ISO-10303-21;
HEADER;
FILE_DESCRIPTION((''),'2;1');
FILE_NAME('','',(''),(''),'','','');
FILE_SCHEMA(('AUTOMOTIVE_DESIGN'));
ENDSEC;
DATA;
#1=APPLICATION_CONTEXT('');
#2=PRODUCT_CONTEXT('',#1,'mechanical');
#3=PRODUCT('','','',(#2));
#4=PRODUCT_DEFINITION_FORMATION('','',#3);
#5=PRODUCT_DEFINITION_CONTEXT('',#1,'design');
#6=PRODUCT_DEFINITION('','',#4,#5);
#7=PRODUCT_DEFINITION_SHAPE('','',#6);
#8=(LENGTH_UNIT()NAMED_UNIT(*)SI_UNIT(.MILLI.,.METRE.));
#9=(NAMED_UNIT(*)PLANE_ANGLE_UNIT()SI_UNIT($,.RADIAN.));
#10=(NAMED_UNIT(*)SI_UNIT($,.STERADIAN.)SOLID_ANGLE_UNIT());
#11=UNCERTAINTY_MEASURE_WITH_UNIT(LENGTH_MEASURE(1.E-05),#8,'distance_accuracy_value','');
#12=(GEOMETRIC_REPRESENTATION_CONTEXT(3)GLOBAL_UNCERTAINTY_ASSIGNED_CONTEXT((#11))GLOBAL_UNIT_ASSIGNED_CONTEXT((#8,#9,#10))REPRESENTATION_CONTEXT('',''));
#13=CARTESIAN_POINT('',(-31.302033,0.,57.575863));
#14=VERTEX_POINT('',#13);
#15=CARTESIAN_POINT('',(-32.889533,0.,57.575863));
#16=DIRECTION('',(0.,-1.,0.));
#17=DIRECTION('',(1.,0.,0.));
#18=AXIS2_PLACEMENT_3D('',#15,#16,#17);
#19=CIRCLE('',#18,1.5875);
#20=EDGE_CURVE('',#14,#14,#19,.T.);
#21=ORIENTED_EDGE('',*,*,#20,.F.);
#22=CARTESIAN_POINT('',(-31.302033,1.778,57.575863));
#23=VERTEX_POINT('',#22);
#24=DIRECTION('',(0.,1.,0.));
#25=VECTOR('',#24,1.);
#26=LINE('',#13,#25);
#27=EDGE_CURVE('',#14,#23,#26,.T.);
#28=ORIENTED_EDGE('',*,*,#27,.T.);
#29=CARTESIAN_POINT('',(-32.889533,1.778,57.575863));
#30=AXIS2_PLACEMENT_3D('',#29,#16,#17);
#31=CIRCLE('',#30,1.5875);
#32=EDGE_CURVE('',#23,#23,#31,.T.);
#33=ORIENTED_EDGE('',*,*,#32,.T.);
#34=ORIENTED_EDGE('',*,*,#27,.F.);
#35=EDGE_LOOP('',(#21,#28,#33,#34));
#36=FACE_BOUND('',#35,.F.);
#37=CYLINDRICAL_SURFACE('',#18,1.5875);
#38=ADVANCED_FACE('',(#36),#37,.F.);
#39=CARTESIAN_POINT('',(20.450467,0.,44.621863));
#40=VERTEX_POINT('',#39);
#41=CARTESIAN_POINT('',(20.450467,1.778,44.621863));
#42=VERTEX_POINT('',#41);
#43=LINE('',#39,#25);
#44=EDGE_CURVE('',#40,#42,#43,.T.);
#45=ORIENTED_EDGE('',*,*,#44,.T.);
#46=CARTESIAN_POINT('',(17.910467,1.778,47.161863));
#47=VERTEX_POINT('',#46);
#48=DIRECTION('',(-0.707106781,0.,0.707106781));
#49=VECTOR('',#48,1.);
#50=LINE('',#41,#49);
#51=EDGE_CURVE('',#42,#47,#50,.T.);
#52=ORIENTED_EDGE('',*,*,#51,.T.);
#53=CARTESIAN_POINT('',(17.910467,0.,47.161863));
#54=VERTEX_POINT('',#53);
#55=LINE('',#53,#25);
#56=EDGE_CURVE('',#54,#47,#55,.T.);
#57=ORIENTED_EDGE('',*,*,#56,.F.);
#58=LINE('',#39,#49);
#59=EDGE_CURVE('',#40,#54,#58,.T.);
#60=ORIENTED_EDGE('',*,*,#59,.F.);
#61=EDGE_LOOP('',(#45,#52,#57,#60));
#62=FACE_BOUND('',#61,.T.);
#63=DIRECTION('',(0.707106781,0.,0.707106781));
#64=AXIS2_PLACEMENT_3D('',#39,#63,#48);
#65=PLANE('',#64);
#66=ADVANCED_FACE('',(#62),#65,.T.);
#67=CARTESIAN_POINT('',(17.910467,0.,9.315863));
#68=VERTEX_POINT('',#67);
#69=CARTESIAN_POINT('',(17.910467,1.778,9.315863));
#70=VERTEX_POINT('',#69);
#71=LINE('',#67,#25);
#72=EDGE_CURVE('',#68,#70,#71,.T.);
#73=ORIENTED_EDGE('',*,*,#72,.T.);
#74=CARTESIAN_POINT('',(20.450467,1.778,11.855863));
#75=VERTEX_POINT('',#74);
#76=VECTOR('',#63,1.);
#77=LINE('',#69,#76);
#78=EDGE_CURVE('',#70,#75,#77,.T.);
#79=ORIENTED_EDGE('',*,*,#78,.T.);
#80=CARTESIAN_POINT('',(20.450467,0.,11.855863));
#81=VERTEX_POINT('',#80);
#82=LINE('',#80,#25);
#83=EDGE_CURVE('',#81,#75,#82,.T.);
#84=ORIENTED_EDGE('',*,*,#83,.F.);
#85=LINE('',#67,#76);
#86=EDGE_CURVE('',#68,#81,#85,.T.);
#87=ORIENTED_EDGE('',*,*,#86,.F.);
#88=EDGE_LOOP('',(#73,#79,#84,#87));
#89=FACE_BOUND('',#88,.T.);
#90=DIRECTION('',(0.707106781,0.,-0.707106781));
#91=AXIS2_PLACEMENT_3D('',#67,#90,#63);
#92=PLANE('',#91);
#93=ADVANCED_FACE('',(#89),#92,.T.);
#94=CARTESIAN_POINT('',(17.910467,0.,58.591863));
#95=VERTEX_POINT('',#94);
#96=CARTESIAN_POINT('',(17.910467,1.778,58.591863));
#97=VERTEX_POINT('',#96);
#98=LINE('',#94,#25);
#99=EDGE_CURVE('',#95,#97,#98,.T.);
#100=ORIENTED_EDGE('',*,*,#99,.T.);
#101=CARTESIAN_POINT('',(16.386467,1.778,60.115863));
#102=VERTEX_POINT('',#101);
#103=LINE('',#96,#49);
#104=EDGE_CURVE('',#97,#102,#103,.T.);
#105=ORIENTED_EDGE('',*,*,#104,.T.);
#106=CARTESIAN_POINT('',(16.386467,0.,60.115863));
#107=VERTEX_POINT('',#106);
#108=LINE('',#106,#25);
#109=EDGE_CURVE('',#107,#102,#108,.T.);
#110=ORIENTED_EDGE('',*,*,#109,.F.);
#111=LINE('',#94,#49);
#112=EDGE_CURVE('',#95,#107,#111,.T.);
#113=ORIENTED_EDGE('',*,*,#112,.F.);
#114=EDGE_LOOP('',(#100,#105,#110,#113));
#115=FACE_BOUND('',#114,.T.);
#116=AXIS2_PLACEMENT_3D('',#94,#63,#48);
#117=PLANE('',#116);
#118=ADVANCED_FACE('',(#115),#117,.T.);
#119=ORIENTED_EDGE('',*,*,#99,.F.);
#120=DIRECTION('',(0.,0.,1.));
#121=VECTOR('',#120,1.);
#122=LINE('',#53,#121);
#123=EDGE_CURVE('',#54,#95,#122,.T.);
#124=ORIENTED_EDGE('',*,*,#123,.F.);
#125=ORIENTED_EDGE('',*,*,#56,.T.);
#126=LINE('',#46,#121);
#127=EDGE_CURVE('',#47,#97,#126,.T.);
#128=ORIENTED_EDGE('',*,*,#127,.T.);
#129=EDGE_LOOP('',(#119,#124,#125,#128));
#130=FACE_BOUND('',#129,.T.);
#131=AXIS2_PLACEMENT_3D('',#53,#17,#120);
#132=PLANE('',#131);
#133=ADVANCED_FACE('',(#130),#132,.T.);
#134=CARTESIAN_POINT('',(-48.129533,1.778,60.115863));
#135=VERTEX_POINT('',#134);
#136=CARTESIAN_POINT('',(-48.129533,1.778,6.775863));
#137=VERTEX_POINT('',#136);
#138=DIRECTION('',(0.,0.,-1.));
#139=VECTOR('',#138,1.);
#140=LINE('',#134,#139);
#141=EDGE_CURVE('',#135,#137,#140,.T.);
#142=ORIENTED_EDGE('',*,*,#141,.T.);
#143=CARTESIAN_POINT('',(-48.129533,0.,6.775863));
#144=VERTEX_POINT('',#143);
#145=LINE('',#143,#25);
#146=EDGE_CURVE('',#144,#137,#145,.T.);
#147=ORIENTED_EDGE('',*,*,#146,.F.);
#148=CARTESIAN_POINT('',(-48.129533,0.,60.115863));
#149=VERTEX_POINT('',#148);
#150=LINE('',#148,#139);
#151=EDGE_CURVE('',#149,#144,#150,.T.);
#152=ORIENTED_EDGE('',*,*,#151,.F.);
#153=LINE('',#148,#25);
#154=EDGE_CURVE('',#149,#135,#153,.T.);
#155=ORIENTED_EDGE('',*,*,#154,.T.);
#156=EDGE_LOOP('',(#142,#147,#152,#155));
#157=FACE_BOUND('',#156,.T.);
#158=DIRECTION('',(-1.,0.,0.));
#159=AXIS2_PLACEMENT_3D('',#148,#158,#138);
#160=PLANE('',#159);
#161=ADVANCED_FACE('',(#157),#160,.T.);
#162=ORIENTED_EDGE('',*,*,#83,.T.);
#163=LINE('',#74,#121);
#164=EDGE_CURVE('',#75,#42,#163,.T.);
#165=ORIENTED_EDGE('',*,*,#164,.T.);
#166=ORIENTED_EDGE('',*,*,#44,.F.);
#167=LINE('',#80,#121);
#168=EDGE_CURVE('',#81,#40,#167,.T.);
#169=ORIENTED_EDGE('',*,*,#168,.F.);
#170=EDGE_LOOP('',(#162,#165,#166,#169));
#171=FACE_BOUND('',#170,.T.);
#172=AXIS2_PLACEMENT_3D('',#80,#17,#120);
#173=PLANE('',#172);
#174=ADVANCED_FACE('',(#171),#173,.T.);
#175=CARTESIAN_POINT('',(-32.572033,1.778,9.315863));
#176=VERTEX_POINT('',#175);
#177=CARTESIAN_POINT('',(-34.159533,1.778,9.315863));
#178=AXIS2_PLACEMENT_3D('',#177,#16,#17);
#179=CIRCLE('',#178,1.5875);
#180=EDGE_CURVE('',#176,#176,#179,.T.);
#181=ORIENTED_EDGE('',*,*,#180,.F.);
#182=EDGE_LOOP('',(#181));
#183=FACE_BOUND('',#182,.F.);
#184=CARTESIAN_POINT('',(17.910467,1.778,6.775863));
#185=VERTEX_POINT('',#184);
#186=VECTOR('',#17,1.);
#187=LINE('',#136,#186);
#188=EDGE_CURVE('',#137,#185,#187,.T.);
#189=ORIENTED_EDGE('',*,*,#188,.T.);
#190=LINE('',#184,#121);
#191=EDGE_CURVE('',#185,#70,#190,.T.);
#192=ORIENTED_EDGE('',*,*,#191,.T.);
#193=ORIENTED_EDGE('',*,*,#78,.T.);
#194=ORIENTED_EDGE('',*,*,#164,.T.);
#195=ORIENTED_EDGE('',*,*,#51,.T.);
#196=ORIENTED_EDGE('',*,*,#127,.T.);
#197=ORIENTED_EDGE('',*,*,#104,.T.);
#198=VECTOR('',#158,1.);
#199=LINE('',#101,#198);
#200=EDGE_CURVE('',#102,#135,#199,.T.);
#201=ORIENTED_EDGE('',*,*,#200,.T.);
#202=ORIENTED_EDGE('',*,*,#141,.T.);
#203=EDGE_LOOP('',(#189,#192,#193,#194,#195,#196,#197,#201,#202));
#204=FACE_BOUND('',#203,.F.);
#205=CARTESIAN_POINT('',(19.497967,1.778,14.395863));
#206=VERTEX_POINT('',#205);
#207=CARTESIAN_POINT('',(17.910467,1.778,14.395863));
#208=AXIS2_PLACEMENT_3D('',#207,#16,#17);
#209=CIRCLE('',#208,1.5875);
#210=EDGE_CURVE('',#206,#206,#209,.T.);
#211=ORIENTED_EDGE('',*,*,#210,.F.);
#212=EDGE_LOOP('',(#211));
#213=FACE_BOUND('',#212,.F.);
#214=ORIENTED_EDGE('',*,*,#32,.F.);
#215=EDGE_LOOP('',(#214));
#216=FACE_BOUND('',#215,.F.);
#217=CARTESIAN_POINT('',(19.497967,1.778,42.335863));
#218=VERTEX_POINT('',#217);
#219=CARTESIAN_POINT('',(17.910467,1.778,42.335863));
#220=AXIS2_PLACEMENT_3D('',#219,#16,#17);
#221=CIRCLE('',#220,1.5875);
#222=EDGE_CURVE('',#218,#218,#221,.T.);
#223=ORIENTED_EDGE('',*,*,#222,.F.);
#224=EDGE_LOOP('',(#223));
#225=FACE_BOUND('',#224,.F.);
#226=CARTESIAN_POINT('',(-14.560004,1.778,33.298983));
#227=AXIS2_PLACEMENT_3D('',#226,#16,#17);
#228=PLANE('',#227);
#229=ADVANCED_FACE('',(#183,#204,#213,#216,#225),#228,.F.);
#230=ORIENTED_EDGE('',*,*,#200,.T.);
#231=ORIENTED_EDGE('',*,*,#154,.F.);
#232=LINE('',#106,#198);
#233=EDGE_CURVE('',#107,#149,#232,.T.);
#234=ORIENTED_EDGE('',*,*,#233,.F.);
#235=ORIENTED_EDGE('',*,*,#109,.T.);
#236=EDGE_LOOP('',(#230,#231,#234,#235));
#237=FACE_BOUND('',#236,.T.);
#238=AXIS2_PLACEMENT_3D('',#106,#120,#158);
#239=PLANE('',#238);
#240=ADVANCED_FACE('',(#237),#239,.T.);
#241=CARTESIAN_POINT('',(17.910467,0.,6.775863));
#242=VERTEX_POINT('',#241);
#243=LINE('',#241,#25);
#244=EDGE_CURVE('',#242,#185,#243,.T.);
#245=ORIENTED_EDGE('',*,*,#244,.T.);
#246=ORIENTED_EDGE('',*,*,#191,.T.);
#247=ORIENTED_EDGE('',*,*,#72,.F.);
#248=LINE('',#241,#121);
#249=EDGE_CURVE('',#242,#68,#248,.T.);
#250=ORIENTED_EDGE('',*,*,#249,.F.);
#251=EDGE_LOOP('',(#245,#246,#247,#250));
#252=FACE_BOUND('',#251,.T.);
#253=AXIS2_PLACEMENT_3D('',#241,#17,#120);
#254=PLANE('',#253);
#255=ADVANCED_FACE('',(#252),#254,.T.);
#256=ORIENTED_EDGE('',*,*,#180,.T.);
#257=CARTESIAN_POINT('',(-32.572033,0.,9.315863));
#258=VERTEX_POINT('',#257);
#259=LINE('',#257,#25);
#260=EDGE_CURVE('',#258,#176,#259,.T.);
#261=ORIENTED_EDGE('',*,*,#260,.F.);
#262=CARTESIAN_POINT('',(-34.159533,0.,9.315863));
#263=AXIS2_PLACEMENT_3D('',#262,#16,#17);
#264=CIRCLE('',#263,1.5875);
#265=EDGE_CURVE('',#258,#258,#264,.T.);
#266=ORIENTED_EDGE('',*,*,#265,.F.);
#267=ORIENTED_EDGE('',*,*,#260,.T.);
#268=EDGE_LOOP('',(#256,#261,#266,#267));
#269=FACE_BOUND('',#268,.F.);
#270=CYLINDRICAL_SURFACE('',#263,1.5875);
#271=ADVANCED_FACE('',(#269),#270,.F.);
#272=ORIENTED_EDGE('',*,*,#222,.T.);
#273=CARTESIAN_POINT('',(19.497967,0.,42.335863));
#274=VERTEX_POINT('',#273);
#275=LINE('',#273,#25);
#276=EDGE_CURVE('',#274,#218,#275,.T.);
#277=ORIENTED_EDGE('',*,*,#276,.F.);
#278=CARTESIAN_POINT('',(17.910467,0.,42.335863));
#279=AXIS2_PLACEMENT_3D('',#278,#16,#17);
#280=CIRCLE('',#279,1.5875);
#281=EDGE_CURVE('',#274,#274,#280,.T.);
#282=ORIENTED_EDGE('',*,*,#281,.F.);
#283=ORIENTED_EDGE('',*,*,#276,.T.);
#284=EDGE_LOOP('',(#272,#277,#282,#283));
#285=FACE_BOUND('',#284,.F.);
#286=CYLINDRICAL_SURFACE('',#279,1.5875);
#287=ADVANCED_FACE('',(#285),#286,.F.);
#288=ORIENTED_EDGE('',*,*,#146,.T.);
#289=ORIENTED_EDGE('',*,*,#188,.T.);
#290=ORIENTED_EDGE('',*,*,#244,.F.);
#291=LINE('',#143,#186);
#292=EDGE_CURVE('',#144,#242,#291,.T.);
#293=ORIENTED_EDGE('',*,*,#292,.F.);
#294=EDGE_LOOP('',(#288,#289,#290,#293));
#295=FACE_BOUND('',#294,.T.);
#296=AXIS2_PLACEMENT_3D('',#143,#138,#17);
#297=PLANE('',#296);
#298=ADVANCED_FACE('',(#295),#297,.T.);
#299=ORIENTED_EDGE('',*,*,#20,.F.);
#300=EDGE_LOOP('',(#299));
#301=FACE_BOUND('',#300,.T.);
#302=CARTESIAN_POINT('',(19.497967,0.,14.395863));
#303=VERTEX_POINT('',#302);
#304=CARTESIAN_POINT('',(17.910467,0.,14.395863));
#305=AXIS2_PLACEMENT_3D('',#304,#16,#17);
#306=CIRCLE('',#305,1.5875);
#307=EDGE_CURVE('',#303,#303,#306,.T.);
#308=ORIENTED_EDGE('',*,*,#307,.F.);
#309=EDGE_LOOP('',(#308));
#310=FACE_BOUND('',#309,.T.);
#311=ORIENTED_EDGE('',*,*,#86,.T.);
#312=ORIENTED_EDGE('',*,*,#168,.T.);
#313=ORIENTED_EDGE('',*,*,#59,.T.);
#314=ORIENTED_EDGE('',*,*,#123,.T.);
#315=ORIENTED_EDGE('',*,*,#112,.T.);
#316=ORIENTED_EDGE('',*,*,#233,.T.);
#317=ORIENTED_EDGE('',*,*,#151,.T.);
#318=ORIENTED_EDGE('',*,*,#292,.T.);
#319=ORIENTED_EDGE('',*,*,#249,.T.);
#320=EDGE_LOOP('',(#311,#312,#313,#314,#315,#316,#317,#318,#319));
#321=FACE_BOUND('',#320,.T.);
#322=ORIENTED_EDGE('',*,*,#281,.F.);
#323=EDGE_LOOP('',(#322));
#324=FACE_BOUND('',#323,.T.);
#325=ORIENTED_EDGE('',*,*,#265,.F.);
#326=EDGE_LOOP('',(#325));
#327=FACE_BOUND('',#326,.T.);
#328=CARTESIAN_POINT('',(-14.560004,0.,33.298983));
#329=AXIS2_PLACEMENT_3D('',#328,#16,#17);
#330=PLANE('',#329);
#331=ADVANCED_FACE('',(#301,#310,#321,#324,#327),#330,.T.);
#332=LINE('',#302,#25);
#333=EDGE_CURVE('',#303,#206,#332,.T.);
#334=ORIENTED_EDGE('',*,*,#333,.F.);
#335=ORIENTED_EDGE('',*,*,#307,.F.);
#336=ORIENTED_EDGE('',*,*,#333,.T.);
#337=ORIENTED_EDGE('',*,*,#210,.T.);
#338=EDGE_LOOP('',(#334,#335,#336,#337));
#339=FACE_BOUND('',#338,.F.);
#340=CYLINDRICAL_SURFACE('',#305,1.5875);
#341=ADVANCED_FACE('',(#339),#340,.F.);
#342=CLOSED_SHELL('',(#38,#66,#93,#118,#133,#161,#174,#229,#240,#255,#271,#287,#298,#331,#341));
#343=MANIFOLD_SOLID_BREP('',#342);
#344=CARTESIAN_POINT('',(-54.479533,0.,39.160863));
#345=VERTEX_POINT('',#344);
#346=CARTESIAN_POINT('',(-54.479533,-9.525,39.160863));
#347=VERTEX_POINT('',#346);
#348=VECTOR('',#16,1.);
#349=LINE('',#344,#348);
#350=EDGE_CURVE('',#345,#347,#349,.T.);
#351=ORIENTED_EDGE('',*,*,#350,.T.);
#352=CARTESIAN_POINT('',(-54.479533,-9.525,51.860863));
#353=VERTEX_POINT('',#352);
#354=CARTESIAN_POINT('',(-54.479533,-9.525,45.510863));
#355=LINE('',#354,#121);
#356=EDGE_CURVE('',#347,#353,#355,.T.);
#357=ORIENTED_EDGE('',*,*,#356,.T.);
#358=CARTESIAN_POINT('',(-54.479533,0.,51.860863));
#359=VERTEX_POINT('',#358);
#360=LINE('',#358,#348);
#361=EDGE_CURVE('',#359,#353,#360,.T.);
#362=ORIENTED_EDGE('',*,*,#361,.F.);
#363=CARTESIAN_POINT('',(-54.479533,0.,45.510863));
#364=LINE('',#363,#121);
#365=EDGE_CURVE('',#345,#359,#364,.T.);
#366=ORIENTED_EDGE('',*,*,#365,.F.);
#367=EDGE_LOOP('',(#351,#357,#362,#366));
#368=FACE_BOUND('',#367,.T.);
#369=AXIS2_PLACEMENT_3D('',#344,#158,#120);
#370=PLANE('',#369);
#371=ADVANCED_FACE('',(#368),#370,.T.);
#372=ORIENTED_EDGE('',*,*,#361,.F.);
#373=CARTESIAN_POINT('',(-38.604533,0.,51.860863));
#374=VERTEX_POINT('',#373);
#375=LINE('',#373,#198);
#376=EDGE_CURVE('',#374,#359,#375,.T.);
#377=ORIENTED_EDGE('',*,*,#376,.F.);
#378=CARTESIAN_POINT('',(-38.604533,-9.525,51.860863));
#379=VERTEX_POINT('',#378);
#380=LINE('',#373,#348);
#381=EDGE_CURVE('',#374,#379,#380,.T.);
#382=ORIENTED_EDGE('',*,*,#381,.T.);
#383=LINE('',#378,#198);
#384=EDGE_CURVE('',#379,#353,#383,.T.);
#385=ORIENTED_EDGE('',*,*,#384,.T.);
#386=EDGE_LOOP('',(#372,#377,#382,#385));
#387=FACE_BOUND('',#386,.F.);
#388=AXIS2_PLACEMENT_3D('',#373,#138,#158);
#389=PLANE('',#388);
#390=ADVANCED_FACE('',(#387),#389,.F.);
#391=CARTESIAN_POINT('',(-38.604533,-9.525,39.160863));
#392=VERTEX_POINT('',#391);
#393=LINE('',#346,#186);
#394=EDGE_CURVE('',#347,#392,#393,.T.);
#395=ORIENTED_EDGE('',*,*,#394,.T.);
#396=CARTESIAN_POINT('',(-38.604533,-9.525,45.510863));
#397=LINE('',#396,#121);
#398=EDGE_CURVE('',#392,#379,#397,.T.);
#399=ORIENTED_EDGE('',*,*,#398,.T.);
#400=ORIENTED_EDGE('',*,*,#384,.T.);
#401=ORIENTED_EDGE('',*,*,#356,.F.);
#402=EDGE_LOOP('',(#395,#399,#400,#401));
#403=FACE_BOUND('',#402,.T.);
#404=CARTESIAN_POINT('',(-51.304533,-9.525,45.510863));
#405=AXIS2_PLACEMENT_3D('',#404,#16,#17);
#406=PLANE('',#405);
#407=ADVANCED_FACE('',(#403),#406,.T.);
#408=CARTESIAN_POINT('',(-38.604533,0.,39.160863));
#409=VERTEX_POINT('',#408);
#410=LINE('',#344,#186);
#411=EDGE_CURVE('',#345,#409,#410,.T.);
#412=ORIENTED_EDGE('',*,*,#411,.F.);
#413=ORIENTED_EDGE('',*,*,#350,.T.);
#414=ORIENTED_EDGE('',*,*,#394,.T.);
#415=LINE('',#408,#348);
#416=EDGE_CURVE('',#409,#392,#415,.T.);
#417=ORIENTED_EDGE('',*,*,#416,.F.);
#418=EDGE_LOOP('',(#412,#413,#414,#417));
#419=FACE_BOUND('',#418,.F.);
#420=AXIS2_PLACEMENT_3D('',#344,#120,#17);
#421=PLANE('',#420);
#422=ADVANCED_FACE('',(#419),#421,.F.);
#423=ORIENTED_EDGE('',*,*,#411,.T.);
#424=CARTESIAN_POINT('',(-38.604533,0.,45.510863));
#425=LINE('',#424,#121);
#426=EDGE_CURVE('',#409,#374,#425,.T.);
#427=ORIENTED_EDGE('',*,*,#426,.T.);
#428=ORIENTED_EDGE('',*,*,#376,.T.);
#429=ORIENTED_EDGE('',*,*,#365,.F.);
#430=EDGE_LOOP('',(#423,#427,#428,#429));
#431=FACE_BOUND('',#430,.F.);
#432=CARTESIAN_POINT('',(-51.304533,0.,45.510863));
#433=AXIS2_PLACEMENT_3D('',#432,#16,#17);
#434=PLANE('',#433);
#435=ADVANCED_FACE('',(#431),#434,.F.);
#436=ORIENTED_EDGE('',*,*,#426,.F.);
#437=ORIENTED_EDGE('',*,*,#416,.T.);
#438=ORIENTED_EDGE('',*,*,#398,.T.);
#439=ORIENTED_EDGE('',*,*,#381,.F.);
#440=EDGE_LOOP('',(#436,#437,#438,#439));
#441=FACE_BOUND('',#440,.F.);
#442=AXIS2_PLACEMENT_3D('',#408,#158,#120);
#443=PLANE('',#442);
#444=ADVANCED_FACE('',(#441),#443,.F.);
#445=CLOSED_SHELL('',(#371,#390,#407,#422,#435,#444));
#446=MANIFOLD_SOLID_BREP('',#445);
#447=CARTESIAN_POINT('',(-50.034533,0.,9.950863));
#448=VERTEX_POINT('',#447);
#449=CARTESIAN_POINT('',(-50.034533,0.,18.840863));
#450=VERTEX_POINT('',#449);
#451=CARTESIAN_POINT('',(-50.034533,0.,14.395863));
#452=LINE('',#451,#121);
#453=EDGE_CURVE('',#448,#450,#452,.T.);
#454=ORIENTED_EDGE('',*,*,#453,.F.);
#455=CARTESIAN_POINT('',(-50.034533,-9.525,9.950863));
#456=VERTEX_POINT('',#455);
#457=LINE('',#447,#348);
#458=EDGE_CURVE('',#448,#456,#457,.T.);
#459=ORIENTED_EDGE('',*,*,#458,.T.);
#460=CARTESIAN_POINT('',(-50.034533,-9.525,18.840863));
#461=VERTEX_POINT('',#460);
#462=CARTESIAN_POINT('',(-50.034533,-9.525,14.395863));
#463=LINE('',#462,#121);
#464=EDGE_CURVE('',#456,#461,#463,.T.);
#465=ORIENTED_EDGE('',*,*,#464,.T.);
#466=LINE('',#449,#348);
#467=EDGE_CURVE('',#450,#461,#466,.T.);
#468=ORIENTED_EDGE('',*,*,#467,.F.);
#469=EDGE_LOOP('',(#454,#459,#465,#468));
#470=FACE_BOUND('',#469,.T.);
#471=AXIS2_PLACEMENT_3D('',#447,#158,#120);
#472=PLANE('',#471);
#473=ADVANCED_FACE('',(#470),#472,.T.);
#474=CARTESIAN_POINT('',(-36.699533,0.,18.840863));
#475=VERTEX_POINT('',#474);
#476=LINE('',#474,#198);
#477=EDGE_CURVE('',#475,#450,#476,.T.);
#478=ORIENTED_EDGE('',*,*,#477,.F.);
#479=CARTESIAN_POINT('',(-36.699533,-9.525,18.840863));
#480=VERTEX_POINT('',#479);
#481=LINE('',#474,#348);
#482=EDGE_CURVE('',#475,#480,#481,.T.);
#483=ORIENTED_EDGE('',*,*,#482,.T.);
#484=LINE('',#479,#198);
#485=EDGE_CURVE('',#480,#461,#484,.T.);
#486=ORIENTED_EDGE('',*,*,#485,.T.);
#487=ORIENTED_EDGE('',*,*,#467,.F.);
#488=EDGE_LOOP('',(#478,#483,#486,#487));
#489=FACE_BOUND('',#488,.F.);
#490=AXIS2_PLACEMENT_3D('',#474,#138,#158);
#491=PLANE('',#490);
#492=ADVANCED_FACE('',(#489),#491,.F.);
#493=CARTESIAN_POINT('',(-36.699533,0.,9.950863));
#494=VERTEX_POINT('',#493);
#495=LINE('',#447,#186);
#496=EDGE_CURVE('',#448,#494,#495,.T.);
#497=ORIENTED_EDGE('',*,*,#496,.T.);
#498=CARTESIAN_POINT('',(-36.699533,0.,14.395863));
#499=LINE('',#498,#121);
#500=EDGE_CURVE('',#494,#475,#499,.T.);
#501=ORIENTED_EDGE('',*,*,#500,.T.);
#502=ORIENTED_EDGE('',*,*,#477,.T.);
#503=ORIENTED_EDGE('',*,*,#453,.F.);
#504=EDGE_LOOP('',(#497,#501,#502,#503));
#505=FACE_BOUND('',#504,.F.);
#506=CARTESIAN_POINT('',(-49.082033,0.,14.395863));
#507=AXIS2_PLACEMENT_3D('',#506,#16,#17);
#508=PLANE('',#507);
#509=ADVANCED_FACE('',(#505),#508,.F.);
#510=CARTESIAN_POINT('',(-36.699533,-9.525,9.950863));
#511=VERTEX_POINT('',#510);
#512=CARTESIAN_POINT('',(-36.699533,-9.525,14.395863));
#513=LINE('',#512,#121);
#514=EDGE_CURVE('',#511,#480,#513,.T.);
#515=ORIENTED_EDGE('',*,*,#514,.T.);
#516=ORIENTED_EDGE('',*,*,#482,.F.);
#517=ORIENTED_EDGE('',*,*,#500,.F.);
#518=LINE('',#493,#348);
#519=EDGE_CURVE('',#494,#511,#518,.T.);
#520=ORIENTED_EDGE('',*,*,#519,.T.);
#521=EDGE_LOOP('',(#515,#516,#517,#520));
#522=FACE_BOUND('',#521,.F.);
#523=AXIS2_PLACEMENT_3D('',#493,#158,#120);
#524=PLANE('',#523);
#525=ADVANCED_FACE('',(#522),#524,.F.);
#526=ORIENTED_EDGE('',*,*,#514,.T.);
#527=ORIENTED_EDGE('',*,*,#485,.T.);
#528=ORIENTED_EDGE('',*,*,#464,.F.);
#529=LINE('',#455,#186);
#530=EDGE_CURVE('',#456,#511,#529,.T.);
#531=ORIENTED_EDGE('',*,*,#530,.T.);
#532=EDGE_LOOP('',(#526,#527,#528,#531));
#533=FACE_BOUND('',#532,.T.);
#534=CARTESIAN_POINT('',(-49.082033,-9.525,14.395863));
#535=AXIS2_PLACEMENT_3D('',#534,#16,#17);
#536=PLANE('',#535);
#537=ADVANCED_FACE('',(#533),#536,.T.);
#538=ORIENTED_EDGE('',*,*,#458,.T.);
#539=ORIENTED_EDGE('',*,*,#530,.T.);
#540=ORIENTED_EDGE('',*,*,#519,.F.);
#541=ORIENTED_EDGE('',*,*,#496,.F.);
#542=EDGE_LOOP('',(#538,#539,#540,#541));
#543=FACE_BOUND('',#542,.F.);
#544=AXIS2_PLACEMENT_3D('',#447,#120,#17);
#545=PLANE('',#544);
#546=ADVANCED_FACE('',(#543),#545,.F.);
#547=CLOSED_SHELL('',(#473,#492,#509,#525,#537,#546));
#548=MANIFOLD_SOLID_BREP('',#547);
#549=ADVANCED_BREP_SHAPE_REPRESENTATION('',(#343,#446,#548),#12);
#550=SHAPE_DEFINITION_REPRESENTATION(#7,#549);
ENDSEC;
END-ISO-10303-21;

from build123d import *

# Parameters (mm, degrees)
F0_R     = 1.5875
F2_DEPTH = 1.778
F1_W     = 6.35
F1_H     = 12.7
F1_W_2   = 9.525
F3_DEPTH = 9.525
F1_W_3   = 1.905
F1_H_2   = 8.89
F1_W_4   = 11.43


with BuildPart() as f2:
    # F0 (on Front) → F2 (new body)
    with BuildSketch(Plane.XZ):
        Polygon((16.3864672662, 60.1158626378), (-48.1295327338, 60.1158626378), (-48.1295327338, 6.7758626378), (17.9104672662, 6.7758626378), (17.9104672662, 9.3158626378), (20.4504672662, 11.8558626378), (20.4504672662, 44.6218626378), (17.9104672662, 47.1618626378), (17.9104672662, 58.5918626378), align=None)
        with Locations((-34.1595327338, 9.3158626378)):
            Circle(F0_R, mode=Mode.SUBTRACT)
        with Locations((17.9104672662, 14.3958626378)):
            Circle(F0_R, mode=Mode.SUBTRACT)
        with Locations((-32.8895327338, 57.5758626378)):
            Circle(F0_R, mode=Mode.SUBTRACT)
        with Locations((17.9104672662, 42.3358626378)):
            Circle(F0_R, mode=Mode.SUBTRACT)
    extrude(amount=-F2_DEPTH)


with BuildPart() as f3:
    # F1 (on face) → F3 (new body)
    with BuildSketch(Plane.XZ):
        with Locations((-51.3045327338, 45.5108626378)):
            Rectangle(F1_W, F1_H)
        with Locations((-43.3670327338, 45.5108626378)):
            Rectangle(F1_W_2, F1_H)
    extrude(amount=F3_DEPTH)


with BuildPart() as f3b:
    # F1 (on face) → F3, piece 2 (new body)
    with BuildSketch(Plane.XZ):
        with Locations((-49.0820327338, 14.3958626378)):
            Rectangle(F1_W_3, F1_H_2)
        with Locations((-42.4145327338, 14.3958626378)):
            Rectangle(F1_W_4, F1_H_2)
    extrude(amount=F3_DEPTH)


solid = Compound([f2.part, f3.part, f3b.part])
